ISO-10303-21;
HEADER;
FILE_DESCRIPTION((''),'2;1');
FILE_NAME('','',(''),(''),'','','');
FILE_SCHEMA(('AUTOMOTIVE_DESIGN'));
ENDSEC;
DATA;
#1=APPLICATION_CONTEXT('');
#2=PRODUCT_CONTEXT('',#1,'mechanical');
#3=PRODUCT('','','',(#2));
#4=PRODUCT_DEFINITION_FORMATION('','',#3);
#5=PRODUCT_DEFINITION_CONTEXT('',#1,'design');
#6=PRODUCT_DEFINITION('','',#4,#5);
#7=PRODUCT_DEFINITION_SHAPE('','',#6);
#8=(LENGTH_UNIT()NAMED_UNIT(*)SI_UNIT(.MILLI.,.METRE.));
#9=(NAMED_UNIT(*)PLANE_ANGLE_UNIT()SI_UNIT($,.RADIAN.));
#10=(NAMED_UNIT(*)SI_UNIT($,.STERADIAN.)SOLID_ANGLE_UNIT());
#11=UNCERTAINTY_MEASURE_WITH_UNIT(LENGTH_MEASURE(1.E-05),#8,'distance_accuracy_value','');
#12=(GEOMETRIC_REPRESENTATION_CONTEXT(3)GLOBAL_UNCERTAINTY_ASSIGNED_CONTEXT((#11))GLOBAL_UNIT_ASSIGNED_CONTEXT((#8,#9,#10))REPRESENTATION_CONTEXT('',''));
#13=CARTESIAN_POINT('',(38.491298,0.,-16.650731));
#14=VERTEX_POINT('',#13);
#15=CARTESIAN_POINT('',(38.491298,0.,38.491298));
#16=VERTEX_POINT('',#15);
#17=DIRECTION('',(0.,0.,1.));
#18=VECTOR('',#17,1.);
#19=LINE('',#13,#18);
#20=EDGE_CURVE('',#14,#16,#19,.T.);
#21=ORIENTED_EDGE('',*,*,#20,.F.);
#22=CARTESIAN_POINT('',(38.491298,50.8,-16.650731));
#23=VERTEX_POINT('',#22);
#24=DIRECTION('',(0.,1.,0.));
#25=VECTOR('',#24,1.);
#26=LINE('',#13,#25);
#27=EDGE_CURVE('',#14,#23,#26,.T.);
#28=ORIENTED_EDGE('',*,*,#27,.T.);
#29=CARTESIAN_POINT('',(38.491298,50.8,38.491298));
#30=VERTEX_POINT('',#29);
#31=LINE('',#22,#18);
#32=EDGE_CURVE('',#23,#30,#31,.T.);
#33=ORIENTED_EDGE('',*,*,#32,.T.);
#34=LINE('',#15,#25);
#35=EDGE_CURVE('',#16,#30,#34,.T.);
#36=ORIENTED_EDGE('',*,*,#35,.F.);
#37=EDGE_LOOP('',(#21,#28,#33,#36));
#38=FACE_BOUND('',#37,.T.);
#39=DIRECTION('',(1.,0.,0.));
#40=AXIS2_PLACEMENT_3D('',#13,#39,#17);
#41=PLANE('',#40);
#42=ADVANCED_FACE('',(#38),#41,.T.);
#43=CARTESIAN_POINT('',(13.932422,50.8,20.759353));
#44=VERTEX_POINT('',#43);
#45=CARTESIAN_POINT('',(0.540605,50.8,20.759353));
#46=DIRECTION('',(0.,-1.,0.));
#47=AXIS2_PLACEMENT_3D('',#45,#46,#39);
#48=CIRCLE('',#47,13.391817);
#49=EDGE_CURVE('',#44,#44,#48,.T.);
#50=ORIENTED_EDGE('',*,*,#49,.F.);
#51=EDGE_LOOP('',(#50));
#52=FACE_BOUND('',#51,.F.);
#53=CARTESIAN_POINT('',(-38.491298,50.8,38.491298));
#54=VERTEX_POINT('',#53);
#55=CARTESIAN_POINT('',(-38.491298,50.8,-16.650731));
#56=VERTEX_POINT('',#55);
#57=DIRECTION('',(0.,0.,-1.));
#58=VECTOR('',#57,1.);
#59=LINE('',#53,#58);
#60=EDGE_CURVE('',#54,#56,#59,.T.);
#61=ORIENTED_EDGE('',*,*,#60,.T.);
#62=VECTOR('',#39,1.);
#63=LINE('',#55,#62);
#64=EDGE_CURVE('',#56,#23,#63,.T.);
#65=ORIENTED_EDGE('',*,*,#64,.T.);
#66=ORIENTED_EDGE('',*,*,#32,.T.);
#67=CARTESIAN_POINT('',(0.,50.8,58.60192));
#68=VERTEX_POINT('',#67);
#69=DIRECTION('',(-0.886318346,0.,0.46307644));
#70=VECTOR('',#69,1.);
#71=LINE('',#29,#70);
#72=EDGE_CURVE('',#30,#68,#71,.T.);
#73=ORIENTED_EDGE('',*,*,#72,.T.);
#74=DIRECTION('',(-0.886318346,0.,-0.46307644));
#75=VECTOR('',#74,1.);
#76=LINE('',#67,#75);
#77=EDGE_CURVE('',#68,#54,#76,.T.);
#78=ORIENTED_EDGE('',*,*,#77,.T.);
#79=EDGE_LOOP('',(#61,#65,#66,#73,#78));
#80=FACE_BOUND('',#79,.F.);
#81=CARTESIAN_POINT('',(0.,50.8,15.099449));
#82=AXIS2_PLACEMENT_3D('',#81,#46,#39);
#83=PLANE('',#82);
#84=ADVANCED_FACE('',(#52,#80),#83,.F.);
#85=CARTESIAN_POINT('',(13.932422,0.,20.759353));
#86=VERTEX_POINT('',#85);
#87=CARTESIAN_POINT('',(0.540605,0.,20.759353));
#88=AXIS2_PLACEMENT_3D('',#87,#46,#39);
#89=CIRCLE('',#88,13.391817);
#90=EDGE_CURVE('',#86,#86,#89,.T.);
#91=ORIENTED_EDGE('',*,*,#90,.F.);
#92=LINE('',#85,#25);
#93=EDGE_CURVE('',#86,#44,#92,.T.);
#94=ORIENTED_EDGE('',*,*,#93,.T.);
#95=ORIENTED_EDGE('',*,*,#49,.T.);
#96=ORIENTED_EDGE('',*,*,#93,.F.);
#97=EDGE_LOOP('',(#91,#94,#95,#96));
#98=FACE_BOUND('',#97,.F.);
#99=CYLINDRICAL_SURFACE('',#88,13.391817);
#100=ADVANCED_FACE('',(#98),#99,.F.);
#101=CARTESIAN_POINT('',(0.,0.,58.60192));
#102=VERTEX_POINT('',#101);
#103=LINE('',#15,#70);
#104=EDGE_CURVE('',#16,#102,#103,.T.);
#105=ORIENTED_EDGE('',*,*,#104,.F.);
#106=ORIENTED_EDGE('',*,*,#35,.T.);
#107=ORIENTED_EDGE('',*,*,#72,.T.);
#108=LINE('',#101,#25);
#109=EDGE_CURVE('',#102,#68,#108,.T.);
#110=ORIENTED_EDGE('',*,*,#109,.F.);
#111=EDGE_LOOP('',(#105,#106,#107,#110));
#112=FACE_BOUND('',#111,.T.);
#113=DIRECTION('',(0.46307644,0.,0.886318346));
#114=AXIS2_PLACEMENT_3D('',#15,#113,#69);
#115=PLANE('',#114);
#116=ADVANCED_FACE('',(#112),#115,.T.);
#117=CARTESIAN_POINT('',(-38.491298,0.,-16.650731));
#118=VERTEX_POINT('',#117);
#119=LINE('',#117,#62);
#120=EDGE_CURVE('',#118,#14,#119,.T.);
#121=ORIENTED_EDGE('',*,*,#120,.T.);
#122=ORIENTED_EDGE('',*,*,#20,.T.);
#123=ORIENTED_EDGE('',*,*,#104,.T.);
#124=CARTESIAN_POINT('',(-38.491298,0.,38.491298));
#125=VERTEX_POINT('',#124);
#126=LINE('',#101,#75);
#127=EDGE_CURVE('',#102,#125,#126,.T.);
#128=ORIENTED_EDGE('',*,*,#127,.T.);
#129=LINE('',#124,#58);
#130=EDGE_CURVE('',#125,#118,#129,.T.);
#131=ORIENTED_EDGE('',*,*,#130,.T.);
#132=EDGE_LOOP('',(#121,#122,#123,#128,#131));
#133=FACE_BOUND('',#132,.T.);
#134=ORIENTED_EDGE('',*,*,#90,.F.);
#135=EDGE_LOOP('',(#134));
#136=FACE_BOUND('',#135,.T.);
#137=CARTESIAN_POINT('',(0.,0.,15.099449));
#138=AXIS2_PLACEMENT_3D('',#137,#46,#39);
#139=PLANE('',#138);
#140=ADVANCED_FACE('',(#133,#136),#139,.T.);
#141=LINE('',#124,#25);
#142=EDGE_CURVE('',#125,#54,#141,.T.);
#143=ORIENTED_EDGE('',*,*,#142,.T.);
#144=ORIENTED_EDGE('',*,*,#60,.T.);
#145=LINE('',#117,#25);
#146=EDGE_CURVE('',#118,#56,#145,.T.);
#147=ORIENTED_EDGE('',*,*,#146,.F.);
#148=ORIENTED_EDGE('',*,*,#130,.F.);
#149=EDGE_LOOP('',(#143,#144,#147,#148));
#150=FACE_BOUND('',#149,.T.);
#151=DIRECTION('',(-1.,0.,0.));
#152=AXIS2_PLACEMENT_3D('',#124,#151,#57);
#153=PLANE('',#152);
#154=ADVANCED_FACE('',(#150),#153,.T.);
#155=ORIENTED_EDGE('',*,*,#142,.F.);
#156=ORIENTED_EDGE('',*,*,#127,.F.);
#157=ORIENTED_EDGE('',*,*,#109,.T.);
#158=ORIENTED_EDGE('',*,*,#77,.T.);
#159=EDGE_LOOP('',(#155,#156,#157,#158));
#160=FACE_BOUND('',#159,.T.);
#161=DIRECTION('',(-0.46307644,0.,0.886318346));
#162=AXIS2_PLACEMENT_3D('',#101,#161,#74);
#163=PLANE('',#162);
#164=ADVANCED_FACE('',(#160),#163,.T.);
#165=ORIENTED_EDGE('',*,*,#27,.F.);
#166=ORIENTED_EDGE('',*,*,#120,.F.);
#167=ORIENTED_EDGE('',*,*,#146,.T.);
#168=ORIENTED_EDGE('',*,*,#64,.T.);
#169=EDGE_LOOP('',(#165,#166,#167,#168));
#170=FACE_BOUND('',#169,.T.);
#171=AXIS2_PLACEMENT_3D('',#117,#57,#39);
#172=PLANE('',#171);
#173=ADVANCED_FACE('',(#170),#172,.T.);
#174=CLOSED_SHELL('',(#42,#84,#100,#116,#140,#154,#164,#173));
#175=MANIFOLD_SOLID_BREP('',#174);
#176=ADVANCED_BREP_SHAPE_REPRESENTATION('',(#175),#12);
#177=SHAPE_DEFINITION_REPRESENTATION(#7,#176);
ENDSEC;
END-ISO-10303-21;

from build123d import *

# Parameters (mm, degrees)
F1_DEPTH = 50.8
F2_R     = 13.391817
F3_DEPTH = 50.801


with BuildPart() as f1:
    # F0 (on Front) → F1 (new body)
    with BuildSketch(Plane.XZ):
        Polygon((38.491298, 38.491298), (0, 58.60192), (-38.491298, 38.491298), (-38.491298, -16.650731), (38.491298, -16.650731), align=None)
    extrude(amount=-F1_DEPTH)

    # F2 (on Front) → F3 (cut, through all)
    with BuildSketch(Plane.XZ):
        with Locations((0.540605, 20.759353)):
            Circle(F2_R)
    extrude(amount=-F3_DEPTH, mode=Mode.SUBTRACT)


solid = f1.part
